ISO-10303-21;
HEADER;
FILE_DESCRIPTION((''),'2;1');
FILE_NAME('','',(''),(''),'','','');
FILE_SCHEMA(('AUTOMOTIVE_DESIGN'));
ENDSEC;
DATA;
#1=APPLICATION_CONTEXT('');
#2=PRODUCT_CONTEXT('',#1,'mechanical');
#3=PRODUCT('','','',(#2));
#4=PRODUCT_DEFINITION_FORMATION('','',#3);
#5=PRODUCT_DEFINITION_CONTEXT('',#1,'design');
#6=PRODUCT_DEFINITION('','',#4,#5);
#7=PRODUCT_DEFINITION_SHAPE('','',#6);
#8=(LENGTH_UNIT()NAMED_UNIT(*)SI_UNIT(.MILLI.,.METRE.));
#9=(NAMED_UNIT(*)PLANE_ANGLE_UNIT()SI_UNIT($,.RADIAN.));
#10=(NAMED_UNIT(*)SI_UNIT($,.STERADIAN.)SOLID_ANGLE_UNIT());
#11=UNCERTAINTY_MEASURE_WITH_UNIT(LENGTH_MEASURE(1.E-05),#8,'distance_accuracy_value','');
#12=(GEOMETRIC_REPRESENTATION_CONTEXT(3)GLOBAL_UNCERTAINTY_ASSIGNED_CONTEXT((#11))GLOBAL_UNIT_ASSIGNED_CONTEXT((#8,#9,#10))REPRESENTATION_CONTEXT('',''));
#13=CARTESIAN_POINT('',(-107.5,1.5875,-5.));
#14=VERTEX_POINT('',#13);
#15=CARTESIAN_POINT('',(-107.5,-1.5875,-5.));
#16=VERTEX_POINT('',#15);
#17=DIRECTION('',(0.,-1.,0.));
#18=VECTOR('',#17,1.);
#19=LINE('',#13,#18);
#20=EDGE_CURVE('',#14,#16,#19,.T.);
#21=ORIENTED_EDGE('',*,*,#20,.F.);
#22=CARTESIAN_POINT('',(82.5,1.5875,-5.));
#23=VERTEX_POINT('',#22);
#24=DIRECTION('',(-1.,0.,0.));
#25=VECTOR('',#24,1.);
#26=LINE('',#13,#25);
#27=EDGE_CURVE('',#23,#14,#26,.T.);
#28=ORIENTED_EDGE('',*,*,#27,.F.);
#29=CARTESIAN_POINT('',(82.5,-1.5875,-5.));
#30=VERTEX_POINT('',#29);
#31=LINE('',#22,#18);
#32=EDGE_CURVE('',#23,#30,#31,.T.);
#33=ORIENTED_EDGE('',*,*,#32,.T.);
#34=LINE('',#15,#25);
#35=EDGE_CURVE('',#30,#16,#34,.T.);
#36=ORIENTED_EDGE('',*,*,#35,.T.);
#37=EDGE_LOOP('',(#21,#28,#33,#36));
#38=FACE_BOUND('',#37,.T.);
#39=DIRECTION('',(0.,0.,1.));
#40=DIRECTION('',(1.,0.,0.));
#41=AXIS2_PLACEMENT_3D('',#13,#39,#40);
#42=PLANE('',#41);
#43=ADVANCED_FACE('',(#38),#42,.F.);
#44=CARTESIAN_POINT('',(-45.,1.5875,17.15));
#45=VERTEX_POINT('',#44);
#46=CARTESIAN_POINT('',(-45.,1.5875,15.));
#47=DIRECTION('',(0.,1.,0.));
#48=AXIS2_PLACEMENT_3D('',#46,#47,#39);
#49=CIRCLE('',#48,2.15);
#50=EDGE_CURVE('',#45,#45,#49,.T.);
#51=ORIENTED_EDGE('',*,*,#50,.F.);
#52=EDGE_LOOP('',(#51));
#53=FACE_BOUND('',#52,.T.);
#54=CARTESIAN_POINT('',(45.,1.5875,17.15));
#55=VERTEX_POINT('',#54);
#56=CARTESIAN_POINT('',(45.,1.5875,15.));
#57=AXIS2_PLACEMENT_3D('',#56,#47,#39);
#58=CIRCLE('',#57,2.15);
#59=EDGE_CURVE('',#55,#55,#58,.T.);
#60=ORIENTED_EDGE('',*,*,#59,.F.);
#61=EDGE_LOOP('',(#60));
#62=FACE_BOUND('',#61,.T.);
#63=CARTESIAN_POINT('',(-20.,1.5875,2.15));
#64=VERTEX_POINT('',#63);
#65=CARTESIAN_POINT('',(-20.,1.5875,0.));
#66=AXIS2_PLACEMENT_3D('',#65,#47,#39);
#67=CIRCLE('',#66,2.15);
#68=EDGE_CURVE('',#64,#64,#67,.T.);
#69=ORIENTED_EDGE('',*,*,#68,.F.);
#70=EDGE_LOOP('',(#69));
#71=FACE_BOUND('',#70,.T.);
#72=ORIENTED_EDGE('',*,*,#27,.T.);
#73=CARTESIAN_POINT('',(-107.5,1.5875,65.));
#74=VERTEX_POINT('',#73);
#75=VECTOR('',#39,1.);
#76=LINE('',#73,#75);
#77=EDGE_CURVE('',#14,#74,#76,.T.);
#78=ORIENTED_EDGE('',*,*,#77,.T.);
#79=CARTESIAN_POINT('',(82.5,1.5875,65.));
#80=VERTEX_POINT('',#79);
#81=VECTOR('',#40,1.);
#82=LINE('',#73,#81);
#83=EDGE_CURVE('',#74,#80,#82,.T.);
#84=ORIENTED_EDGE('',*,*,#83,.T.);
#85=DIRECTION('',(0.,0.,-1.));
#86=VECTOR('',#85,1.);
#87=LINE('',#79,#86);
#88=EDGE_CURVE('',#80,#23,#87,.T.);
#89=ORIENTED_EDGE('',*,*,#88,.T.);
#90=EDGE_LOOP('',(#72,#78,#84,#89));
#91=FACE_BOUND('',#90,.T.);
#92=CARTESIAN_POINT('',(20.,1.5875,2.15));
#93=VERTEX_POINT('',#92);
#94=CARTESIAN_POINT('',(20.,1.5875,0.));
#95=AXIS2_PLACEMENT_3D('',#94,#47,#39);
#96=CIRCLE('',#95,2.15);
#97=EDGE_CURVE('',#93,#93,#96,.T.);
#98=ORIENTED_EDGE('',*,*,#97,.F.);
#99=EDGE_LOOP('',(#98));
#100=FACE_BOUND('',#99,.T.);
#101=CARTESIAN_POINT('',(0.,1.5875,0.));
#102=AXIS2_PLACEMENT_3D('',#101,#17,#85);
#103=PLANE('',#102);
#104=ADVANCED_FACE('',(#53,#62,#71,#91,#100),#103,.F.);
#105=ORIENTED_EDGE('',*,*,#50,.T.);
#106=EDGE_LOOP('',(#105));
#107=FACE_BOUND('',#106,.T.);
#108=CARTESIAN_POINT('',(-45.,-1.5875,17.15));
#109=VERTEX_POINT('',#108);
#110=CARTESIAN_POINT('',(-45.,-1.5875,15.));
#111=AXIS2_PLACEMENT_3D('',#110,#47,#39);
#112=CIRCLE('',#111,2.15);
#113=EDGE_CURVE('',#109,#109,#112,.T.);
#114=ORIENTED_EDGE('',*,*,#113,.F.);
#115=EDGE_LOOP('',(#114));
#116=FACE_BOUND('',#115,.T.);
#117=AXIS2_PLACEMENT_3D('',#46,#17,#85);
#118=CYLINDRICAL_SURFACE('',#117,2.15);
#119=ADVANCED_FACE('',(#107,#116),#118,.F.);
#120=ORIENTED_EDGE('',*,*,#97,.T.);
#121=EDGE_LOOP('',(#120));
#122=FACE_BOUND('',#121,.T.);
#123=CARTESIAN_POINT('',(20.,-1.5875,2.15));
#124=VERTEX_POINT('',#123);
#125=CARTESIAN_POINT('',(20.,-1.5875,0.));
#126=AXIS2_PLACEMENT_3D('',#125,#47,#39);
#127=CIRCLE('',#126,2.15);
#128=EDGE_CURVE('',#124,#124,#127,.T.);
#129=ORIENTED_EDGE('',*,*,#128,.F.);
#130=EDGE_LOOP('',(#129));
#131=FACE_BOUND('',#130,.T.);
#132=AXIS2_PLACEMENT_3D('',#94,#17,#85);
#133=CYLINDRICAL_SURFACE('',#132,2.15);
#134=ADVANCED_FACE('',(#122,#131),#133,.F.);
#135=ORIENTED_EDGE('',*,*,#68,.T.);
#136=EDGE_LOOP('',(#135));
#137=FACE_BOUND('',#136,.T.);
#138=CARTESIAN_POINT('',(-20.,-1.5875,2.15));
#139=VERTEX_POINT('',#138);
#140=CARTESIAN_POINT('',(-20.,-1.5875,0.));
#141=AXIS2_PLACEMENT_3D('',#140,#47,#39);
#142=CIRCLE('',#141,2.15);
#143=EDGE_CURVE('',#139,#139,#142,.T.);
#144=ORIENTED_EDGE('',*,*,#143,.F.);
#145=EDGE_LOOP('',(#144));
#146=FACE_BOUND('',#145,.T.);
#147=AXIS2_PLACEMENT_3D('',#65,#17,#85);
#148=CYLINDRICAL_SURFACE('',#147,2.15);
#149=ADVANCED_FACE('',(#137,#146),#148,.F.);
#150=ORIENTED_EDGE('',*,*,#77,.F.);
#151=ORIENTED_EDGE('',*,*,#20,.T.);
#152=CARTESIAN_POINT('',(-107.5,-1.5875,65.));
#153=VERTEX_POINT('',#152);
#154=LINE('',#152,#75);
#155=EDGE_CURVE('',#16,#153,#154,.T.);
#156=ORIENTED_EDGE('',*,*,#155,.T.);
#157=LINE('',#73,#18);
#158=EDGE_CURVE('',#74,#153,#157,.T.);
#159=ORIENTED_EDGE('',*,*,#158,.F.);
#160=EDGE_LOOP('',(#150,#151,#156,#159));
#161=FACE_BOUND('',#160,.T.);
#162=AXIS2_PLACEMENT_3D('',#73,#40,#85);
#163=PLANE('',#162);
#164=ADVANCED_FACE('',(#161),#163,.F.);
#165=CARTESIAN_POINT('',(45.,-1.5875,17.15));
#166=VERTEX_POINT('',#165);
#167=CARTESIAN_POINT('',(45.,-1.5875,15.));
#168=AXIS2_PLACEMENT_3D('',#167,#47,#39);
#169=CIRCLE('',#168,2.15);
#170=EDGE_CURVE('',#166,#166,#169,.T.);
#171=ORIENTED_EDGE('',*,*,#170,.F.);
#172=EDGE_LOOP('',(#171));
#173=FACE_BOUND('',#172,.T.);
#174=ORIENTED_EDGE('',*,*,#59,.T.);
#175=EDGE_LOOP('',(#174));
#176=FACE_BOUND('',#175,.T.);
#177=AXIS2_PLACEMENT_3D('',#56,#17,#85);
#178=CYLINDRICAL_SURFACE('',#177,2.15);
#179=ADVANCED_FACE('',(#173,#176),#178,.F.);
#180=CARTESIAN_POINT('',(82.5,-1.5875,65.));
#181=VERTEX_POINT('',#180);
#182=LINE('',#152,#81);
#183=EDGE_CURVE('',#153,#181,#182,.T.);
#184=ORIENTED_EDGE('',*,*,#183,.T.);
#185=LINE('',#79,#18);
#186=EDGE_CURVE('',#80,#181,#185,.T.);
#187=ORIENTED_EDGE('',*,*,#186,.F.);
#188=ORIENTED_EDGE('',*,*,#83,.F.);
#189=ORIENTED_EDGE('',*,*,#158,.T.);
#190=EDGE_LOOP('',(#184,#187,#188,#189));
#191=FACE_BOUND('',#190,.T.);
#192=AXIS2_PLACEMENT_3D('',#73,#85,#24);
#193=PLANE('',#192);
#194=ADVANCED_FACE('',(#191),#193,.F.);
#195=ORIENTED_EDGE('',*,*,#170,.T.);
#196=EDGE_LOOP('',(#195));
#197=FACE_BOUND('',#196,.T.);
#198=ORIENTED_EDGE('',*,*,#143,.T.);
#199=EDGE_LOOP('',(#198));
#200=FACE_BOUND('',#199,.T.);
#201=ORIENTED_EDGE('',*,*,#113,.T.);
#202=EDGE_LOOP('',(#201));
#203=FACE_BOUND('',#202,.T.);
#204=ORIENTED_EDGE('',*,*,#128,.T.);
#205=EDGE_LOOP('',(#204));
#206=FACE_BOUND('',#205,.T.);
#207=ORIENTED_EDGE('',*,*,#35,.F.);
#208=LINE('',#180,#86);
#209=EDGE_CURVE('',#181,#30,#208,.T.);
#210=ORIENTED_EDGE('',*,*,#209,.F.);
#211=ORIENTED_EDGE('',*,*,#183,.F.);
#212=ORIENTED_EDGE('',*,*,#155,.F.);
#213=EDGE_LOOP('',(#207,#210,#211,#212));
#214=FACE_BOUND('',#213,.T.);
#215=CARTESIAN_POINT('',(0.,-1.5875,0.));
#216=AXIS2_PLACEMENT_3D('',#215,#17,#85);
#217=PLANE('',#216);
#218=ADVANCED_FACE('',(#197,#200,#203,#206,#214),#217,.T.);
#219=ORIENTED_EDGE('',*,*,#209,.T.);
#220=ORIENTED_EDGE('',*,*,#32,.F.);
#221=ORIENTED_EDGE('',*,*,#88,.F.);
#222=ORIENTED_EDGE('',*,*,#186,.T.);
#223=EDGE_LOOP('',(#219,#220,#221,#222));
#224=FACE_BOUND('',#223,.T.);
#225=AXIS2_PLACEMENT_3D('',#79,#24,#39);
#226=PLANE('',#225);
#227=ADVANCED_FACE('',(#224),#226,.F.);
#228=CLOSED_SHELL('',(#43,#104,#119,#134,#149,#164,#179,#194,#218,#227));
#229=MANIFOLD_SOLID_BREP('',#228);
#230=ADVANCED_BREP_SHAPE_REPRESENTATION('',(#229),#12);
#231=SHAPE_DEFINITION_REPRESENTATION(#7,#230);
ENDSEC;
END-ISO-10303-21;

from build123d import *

# Parameters (mm, degrees)
SKETCH1_W           = 190
SKETCH1_H           = 70
SKETCH1_R           = 2.15
BOSS_EXTRUDE1_DEPTH = 1.5875


with BuildPart() as part:
    # Sketch1 → Boss-Extrude1 (new body, symmetric)
    with BuildSketch(Plane(origin=(0, 0, 0), x_dir=(1, 0, 0), z_dir=(0, 1, 0))):
        with Locations((-12.5, -30)):
            Rectangle(SKETCH1_W, SKETCH1_H)
        with Locations((-20, 0)):
            Circle(SKETCH1_R, mode=Mode.SUBTRACT)
        with Locations((20, 0)):
            Circle(SKETCH1_R, mode=Mode.SUBTRACT)
        with Locations((45, -15)):
            Circle(SKETCH1_R, mode=Mode.SUBTRACT)
        with Locations((-45, -15)):
            Circle(SKETCH1_R, mode=Mode.SUBTRACT)
    extrude(amount=BOSS_EXTRUDE1_DEPTH, both=True)


solid = part.part
